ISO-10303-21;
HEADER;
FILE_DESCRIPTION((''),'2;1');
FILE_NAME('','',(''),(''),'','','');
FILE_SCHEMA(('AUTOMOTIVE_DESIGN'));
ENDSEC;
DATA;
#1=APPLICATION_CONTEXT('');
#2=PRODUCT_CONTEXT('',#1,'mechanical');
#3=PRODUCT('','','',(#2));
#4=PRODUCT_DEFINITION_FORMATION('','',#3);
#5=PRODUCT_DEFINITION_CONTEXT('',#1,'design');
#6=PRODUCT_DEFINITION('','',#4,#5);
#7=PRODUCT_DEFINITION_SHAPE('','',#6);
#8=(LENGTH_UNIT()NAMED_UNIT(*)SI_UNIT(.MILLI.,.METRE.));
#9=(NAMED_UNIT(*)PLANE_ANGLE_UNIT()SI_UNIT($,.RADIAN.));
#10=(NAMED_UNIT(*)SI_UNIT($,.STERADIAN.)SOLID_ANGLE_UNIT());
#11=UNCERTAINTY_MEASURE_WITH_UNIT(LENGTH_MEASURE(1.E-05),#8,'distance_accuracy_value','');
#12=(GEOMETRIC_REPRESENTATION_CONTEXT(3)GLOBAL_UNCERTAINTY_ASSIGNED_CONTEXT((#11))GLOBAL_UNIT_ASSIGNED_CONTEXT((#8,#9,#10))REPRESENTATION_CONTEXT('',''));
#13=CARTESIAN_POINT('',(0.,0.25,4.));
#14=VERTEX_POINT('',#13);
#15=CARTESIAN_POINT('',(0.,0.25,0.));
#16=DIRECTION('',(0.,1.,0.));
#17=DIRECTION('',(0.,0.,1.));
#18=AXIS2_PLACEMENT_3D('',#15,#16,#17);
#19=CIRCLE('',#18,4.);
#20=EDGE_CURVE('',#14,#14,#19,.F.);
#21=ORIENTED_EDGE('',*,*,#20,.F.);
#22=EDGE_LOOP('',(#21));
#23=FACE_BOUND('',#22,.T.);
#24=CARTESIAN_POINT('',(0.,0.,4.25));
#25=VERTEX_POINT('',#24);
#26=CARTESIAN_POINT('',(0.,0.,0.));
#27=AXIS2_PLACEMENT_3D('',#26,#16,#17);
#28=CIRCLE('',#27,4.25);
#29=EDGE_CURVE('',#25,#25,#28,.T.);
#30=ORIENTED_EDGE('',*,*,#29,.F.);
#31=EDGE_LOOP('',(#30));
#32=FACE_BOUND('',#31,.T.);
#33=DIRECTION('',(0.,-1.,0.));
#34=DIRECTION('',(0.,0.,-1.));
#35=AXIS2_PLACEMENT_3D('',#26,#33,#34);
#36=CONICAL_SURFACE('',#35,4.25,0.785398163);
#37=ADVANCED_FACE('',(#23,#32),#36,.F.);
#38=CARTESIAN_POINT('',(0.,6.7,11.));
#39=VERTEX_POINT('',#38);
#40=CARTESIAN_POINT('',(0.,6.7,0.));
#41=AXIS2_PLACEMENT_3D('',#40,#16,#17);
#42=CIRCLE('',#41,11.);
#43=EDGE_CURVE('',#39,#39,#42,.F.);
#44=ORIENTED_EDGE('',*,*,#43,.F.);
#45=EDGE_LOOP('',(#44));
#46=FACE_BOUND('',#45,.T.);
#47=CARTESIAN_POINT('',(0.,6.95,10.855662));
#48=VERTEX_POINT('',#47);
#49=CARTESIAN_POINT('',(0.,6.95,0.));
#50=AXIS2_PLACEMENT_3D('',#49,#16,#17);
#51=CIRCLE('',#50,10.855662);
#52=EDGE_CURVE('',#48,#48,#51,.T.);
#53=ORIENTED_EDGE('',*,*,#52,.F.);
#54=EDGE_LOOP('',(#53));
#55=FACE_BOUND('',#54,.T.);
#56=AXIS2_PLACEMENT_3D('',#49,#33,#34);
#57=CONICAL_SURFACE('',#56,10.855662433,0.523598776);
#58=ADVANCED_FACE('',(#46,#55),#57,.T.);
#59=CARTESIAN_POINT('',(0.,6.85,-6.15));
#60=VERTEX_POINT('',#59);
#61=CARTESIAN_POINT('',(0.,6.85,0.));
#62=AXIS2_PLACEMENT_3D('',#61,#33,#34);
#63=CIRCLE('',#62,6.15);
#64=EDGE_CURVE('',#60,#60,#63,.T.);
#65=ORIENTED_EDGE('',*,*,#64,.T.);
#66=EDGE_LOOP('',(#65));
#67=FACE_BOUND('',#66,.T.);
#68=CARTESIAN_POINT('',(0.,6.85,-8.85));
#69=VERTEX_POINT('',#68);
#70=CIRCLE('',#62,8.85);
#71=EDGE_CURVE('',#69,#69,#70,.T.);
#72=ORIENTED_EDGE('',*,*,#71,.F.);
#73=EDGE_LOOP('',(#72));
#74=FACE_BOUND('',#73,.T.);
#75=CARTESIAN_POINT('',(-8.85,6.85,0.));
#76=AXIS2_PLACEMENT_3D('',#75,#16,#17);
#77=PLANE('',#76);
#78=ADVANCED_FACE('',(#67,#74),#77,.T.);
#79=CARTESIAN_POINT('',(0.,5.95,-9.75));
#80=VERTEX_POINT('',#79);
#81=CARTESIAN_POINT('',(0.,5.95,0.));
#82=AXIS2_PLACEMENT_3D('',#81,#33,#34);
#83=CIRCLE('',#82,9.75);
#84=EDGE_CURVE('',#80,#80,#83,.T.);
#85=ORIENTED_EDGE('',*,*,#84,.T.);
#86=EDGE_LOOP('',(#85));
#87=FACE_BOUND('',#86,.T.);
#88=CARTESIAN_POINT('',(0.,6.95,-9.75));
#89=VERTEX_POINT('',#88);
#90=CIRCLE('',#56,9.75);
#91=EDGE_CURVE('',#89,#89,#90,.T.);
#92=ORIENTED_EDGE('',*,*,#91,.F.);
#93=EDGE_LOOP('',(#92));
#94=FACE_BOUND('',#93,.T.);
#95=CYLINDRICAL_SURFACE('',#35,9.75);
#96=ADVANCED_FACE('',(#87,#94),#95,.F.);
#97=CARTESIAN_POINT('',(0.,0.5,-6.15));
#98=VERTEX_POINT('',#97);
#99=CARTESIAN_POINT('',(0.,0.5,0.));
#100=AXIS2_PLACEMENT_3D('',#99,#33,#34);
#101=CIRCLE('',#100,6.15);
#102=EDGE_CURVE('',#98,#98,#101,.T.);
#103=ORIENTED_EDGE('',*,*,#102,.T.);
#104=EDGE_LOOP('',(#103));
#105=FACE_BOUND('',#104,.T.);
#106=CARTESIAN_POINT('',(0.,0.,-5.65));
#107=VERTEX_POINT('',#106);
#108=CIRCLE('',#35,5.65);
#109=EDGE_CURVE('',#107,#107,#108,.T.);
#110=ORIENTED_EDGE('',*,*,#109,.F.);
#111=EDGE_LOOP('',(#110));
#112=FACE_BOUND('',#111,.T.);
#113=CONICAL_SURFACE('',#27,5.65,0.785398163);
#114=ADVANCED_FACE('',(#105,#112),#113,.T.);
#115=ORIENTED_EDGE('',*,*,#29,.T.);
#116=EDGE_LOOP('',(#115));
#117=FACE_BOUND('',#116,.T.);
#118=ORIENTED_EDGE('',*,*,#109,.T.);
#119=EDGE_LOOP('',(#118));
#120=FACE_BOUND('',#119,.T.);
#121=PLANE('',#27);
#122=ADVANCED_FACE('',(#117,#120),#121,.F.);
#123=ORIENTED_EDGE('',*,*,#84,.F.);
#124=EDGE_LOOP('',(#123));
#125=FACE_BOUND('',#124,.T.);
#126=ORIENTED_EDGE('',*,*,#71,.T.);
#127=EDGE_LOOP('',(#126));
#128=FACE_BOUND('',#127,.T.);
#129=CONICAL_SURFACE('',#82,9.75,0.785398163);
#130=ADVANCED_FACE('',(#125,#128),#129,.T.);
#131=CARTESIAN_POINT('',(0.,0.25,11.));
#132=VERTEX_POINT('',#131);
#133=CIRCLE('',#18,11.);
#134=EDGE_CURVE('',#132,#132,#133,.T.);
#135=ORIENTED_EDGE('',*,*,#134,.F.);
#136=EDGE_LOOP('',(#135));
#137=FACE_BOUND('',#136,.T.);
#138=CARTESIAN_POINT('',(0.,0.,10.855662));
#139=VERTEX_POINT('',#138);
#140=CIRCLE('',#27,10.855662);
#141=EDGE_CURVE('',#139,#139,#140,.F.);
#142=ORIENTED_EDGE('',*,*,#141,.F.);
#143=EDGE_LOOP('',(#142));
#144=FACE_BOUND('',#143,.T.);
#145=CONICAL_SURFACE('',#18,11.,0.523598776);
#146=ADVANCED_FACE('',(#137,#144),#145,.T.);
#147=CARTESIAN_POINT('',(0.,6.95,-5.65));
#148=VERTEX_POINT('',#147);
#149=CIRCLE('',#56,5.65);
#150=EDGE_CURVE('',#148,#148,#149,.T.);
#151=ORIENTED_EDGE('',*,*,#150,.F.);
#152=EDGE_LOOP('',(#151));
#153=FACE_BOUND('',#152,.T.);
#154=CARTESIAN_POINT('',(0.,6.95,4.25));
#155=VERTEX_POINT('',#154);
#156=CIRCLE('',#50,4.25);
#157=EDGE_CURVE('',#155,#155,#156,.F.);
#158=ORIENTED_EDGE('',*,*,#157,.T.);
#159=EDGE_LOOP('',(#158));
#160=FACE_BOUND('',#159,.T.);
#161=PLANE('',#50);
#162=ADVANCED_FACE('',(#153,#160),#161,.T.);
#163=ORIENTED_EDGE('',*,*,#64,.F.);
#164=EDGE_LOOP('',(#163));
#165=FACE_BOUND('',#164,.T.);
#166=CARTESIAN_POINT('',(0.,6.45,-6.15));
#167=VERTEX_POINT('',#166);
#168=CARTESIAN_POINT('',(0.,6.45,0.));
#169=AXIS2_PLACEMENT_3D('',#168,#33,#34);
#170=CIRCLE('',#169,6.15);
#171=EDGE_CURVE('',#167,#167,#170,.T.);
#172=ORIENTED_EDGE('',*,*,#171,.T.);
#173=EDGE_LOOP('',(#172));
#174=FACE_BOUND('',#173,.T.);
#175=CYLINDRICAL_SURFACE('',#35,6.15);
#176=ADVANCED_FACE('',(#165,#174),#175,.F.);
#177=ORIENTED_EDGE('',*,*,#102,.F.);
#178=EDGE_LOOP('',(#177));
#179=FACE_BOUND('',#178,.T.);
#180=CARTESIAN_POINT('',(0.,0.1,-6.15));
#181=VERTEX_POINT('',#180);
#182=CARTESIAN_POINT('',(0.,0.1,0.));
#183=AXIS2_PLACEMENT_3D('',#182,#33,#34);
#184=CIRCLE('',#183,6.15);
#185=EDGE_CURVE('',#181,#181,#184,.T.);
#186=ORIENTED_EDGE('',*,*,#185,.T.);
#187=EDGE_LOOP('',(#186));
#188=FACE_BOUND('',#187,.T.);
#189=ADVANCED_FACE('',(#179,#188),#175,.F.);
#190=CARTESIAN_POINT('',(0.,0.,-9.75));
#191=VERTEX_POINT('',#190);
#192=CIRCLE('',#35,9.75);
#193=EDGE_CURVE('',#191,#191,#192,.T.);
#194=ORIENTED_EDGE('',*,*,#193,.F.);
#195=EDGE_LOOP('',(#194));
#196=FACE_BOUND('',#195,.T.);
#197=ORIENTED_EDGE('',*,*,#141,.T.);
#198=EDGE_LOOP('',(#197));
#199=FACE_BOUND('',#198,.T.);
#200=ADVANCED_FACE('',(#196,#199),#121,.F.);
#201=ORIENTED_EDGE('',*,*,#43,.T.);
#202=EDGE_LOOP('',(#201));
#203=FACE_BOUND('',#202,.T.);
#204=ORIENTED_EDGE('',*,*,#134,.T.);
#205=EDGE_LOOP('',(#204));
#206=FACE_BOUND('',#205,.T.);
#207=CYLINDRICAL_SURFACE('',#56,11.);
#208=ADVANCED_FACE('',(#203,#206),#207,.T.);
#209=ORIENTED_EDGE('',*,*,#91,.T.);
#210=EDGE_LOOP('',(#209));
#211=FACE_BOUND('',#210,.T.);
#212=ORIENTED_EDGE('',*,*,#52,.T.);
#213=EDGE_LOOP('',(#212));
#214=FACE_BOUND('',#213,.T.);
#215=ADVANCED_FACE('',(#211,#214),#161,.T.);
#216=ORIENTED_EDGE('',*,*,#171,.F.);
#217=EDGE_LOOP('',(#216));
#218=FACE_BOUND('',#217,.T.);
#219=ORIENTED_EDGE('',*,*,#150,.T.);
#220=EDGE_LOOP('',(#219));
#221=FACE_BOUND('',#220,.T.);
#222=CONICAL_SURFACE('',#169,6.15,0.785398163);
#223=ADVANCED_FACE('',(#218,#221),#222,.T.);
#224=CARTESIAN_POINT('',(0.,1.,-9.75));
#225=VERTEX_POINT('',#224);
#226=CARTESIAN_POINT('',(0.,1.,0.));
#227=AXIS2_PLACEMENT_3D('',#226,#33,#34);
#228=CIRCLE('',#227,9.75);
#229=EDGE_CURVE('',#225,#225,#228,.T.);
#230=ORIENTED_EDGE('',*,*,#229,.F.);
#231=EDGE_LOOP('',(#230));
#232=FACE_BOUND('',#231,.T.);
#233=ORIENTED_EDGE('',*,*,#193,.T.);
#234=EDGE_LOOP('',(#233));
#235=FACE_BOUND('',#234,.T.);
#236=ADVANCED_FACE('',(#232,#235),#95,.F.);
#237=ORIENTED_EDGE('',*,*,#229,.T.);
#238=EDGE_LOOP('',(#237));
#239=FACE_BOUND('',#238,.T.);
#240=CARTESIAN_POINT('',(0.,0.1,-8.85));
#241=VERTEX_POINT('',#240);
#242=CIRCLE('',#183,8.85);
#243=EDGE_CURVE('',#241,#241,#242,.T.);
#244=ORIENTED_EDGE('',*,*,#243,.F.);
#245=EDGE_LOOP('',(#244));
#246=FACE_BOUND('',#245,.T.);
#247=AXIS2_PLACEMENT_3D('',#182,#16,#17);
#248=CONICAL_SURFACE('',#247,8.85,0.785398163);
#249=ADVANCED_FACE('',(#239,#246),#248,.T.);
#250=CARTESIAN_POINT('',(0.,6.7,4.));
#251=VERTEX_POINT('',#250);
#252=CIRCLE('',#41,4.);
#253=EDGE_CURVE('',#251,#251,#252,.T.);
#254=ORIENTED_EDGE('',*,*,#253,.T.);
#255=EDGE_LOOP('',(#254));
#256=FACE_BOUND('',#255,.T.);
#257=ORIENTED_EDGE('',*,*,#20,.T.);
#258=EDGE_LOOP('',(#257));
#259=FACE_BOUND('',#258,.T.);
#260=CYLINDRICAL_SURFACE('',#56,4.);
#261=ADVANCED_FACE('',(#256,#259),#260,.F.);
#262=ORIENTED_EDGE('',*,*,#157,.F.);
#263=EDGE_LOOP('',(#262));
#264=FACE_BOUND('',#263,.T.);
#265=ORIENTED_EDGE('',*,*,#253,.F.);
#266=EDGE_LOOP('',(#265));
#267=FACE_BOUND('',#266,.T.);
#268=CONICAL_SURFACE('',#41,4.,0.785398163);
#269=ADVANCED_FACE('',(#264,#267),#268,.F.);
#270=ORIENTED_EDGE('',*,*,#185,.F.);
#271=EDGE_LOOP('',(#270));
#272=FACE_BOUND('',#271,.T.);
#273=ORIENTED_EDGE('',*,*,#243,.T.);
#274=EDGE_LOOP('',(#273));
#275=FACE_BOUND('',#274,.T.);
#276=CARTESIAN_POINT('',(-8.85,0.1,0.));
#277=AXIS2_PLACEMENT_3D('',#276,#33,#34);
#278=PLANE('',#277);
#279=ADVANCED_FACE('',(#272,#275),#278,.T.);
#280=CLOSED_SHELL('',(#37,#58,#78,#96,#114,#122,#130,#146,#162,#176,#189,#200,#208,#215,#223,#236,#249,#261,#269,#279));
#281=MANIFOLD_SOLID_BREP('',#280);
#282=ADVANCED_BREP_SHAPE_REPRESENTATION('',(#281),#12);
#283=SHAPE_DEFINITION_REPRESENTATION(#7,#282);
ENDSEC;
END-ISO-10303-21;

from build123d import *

# Parameters (mm, degrees)
CROQUIS1_R              = 11
CROQUIS1_R_2            = 4
SALIENTE_EXTRUIR1_DEPTH = 6.95
CHAFL_N1_SIZE           = 0.25
CHAFL_N2_SIZE           = 0.25
CHAFL_N2_SIZE2          = 0.144337567


with BuildPart() as part:
    # Croquis1 → Saliente-Extruir1 (new body)
    with BuildSketch(Plane(origin=(0, 0, 0), x_dir=(1, 0, 0), z_dir=(0, 1, 0))):
        with Locations(Location((0, 0, 0), (0, 0, 270))):
            Circle(CROQUIS1_R)
        with Locations(Location((0, 0, 0), (0, 0, 270))):
            Circle(CROQUIS1_R_2, mode=Mode.SUBTRACT)
    extrude(amount=SALIENTE_EXTRUIR1_DEPTH)

    # Croquis2 → Cortar-Revolución1 (revolve, cut)
    with BuildSketch(Plane.XY, mode=Mode.PRIVATE) as cortar_revoluci_n1_sk:
        Polygon((-9.75, 6.95), (-9.75, 5.95), (-8.85, 6.85), (-6.15, 6.85), (-6.15, 6.45), (-5.65, 6.95), align=None)
        Polygon((-8.85, 0.1), (-6.15, 0.1), (-6.15, 0.5), (-5.65, 0), (-9.75, 0), (-9.75, 1), align=None)
    revolve(cortar_revoluci_n1_sk.sketch.rotate(Axis((0, 0, 0), (0, 1, 0)), 270), axis=Axis((0, 0, 0), (0, 1, 0)), mode=Mode.SUBTRACT)

    # Chaflán1
    chafl_n1_edges = [part.edges().sort_by_distance(p)[0] for p in [
        (0, 0, -4),
        (0, 6.95, -4),
    ]]
    chamfer(chafl_n1_edges, length=CHAFL_N1_SIZE)

    # Chaflán2
    chafl_n2_edges = [part.edges().sort_by_distance(p)[0] for p in [
        (0, 0, -11),
        (0, 6.95, -11),
    ]]
    chafl_n2_side = [part.faces().sort_by_distance(p)[0] for p in [
        (0, 3.475, -11),
    ]]
    chamfer(chafl_n2_edges, length=CHAFL_N2_SIZE, length2=CHAFL_N2_SIZE2, reference=chafl_n2_side[0])


solid = part.part
